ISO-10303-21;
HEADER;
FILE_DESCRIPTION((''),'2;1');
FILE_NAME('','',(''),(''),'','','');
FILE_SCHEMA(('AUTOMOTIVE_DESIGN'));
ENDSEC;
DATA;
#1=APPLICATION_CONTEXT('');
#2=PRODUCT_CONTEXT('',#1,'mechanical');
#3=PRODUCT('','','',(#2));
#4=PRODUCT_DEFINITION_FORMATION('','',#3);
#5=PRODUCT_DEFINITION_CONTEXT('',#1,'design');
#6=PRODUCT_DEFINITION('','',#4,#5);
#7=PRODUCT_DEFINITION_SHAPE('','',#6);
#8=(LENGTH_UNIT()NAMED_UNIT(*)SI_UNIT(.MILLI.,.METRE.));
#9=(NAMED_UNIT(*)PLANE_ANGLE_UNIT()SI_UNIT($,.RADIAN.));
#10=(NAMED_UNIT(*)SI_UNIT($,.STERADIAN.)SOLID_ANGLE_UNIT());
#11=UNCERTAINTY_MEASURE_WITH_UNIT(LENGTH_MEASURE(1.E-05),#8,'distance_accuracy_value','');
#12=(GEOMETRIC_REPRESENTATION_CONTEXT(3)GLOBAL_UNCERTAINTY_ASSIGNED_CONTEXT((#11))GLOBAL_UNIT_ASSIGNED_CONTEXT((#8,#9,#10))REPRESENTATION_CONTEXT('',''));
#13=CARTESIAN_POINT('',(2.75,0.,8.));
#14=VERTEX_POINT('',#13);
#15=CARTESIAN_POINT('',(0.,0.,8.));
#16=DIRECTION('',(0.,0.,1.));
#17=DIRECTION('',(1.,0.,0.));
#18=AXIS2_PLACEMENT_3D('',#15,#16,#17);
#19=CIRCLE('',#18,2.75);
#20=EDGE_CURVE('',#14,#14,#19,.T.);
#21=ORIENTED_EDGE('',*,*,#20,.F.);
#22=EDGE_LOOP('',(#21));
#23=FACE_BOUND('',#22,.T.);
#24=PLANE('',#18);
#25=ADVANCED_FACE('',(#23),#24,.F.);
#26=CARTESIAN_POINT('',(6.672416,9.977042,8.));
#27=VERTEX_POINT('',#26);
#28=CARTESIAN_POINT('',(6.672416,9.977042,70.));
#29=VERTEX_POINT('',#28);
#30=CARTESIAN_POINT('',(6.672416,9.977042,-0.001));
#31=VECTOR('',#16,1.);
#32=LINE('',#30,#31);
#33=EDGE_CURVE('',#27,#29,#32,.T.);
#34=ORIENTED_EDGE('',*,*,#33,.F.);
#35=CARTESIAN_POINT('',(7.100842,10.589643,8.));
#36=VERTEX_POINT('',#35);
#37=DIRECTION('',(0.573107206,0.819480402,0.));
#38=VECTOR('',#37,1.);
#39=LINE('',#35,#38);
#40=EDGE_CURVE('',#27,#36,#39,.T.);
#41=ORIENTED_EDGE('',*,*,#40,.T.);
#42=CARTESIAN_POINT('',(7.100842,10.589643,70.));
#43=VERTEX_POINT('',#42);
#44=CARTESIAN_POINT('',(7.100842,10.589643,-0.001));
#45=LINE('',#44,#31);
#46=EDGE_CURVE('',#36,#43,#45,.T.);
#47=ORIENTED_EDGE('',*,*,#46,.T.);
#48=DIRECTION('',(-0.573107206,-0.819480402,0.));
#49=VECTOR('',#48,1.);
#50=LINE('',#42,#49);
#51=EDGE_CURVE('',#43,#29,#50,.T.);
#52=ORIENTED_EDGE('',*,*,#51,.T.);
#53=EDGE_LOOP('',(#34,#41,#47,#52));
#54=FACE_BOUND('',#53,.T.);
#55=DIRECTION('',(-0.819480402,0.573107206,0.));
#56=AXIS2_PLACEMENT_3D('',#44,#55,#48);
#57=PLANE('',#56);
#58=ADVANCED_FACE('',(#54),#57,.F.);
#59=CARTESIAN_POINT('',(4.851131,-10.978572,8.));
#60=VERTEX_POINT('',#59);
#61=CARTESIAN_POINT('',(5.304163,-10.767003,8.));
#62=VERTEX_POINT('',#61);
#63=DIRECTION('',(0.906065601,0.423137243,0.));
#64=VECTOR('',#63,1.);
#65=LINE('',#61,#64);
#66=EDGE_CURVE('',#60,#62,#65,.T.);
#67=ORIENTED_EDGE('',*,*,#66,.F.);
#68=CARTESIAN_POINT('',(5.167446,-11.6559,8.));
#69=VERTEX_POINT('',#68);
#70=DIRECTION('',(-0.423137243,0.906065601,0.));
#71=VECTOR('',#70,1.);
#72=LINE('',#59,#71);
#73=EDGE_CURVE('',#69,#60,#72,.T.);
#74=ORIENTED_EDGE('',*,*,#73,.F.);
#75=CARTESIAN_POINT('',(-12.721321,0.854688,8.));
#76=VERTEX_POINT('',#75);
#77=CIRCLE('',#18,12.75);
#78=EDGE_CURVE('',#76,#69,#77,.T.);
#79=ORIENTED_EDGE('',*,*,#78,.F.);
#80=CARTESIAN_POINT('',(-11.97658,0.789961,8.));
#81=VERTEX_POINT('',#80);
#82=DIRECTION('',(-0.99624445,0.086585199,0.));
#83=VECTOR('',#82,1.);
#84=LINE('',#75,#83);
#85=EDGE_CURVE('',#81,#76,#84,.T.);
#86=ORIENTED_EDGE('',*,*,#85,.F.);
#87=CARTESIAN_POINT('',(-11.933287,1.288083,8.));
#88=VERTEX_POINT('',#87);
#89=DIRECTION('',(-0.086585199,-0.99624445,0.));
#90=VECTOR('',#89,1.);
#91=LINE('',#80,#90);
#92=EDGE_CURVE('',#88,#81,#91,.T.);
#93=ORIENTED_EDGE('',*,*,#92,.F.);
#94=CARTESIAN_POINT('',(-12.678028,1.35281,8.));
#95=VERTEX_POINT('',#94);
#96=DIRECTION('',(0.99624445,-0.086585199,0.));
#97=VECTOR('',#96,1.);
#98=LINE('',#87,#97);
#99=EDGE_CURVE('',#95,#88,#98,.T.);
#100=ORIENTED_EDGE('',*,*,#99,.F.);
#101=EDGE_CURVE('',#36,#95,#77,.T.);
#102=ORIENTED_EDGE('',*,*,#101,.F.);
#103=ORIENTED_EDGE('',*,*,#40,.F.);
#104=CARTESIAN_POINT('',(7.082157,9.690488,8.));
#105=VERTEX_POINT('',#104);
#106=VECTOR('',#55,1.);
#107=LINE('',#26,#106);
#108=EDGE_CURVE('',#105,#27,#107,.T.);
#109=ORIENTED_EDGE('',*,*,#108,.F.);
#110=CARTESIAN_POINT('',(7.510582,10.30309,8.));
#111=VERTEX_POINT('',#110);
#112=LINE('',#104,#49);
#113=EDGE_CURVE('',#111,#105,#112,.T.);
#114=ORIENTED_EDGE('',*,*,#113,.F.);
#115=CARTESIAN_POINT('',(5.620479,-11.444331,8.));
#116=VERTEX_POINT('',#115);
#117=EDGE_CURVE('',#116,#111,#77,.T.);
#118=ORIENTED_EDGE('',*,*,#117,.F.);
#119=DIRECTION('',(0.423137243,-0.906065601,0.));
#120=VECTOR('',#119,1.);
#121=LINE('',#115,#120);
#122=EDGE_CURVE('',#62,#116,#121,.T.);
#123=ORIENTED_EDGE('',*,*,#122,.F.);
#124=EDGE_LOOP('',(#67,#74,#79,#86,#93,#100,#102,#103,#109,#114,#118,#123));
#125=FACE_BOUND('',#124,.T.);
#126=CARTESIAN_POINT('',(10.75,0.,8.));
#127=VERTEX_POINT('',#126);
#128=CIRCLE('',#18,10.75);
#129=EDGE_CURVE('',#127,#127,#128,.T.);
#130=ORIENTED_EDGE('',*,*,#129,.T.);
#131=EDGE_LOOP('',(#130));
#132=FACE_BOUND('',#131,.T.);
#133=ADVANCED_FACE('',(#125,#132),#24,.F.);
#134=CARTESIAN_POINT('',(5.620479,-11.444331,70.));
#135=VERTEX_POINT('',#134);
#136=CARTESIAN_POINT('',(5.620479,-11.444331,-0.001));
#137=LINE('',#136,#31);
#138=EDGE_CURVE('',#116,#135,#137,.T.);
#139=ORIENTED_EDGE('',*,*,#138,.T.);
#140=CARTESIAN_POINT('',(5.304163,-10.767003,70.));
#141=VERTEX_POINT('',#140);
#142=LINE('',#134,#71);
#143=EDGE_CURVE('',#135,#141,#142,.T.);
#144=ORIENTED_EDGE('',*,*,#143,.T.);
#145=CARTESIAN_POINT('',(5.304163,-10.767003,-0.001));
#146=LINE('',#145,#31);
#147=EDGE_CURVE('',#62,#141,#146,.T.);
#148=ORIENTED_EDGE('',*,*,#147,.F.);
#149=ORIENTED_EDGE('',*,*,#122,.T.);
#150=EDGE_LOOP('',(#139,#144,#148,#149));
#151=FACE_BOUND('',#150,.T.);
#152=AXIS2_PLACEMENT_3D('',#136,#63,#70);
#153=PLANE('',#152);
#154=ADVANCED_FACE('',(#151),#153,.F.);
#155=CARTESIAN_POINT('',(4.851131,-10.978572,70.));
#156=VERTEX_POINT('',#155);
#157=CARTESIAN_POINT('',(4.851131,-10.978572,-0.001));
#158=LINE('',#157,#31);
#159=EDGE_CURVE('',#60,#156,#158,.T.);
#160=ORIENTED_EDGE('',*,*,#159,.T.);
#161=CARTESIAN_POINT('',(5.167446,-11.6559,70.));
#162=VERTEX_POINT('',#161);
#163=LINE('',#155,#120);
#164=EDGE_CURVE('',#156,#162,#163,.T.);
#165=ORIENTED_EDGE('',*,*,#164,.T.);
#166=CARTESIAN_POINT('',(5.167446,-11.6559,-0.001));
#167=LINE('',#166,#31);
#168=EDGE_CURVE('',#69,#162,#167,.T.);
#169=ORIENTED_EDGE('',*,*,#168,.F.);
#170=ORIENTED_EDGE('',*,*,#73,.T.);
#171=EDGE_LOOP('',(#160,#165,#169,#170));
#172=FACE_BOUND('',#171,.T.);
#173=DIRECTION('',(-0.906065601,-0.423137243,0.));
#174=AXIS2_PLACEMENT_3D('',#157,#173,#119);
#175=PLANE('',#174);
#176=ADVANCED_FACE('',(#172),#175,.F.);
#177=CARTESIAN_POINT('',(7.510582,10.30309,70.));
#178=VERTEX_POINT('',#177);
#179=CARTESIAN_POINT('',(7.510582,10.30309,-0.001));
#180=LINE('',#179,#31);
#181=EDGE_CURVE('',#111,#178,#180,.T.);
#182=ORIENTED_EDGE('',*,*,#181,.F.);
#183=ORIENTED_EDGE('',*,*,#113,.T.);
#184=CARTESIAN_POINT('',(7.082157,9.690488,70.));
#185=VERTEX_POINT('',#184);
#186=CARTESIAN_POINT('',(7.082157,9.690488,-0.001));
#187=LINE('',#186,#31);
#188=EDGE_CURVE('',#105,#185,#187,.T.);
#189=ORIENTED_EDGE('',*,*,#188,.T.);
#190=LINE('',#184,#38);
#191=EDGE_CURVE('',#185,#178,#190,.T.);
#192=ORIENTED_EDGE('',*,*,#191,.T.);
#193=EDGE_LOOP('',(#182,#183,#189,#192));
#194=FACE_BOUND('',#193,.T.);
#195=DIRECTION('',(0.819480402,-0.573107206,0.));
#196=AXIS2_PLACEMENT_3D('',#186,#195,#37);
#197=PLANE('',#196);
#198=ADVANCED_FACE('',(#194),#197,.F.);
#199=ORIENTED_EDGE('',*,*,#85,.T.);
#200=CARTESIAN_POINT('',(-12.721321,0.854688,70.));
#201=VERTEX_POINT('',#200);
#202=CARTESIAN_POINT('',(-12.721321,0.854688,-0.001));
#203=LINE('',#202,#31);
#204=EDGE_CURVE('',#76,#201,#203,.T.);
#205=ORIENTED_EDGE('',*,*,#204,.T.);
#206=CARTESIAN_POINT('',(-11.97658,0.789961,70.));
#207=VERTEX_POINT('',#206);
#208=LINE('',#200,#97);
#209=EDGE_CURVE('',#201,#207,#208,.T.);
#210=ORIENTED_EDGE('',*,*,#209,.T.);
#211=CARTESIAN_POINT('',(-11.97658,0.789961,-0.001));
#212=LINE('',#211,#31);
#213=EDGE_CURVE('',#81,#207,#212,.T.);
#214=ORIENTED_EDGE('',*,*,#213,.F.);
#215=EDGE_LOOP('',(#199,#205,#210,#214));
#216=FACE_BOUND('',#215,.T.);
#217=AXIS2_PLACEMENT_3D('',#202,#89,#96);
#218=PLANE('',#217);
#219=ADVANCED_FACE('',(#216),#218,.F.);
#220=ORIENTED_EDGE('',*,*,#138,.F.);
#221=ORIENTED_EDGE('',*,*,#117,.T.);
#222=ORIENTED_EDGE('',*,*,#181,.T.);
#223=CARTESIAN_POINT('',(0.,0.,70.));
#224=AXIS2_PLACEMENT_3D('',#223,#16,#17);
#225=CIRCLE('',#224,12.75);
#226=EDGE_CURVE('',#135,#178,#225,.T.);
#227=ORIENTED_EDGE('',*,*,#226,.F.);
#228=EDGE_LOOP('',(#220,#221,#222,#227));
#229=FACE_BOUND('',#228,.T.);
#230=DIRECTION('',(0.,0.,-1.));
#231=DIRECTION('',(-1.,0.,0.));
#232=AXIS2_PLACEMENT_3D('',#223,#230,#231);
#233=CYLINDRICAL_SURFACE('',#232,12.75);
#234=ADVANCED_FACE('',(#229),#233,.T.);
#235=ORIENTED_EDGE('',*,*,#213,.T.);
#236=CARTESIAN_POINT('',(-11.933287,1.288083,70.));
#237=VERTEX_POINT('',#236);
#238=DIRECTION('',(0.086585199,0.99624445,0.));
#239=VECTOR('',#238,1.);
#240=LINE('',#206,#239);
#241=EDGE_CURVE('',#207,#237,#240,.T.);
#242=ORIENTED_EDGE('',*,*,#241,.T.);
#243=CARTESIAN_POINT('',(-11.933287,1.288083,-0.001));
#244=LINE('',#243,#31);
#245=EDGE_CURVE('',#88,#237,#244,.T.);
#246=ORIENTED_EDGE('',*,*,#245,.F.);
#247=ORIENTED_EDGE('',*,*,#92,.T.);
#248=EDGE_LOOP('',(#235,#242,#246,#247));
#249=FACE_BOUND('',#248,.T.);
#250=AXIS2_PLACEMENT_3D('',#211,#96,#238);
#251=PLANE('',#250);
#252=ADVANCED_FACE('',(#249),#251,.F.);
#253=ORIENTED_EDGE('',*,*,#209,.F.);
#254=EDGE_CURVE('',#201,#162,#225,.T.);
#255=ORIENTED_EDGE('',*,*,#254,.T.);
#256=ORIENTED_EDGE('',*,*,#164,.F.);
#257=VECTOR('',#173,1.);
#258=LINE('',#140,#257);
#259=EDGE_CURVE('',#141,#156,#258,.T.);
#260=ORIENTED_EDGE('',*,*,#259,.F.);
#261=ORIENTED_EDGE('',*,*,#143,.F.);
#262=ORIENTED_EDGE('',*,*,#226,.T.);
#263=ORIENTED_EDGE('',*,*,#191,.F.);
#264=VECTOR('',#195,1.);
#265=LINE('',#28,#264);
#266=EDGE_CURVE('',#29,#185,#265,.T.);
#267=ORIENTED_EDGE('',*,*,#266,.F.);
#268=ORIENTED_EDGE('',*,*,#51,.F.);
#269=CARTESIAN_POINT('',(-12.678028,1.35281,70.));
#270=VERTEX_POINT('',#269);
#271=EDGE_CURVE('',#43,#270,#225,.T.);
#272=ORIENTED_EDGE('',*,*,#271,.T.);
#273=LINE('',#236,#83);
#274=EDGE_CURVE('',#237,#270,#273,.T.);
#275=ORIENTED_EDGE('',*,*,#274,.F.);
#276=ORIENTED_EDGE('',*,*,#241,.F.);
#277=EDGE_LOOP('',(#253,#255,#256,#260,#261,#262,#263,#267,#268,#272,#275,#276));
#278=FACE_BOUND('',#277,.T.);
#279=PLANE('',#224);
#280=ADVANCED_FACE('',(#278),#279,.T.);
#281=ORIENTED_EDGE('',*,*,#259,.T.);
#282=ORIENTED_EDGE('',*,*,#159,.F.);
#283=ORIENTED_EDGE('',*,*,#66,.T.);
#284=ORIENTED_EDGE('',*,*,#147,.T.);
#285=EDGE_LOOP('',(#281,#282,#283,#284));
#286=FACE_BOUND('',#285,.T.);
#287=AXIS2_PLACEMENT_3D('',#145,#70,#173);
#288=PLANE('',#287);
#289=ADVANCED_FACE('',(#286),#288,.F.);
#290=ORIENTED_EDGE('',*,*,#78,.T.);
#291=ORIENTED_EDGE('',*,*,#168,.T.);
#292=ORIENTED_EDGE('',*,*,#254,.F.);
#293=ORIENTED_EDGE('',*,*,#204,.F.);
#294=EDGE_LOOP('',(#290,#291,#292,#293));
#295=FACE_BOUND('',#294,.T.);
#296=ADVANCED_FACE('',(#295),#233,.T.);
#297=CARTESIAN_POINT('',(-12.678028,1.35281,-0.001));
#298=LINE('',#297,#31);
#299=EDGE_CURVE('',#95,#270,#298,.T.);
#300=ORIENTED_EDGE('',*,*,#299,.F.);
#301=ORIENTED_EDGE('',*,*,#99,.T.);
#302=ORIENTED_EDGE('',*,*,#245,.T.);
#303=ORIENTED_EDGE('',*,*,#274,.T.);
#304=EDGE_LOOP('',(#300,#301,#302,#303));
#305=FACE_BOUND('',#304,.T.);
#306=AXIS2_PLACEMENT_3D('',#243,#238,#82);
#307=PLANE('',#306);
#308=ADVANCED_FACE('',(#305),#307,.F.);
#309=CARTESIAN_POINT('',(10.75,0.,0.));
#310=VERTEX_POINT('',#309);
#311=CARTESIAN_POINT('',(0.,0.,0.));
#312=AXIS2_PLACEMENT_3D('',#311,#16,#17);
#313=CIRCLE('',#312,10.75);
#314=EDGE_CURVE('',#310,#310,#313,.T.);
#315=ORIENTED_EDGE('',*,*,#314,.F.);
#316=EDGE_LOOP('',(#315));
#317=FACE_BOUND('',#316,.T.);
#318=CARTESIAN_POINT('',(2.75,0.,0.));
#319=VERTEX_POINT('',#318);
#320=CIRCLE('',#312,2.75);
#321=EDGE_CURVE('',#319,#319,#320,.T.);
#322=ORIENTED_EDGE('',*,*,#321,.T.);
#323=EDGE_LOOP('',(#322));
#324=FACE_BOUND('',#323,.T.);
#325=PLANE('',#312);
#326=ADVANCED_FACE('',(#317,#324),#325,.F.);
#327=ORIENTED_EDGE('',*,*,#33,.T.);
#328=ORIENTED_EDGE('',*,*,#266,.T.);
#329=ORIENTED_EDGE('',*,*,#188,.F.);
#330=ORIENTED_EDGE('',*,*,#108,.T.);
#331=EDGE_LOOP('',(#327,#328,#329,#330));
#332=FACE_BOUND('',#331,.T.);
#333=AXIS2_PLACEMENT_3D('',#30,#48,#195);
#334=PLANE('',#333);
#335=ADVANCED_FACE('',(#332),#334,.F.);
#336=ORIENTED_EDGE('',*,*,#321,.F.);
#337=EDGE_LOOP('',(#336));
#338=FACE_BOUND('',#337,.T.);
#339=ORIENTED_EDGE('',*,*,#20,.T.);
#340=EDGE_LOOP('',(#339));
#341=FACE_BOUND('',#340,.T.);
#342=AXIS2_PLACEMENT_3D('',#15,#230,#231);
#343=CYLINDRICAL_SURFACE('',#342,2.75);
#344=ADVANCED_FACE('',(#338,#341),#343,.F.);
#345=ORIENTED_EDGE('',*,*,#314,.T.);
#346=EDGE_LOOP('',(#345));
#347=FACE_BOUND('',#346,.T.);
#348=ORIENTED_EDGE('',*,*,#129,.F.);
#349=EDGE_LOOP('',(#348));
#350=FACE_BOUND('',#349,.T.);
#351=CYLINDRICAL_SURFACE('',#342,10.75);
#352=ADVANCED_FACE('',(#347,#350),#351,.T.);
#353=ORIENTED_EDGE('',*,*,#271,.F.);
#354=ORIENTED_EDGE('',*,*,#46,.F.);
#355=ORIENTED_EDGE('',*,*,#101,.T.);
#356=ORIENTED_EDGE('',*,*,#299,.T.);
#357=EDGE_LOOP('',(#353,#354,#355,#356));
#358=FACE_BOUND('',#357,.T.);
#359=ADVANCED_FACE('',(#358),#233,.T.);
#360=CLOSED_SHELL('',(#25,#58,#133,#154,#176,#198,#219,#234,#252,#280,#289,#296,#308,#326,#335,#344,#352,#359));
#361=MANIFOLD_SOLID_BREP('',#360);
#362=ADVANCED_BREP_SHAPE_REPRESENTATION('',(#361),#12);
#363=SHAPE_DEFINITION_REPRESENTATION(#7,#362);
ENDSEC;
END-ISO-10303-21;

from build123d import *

# Parameters (mm, degrees)
ESQUISSE1_R             = 10.75
ESQUISSE1_R_2           = 2.75
BASE_EXTRUSION_DEPTH    = 8
ESQUISSE2_R             = 12.75
BOSS_EXTRU_1_DEPTH      = 62
ENL_V_MAT_EXTRU_1_REACH = 72


with BuildPart() as part:
    # Esquisse1 → Base-Extrusion (new body)
    with BuildSketch(Plane.XY):
        Circle(ESQUISSE1_R)
        Circle(ESQUISSE1_R_2, mode=Mode.SUBTRACT)
    extrude(amount=BASE_EXTRUSION_DEPTH)

    # Esquisse2 → Boss.-Extru.1 (add)
    with BuildSketch(Plane.XY.offset(8)):
        Circle(ESQUISSE2_R)
    extrude(amount=BOSS_EXTRU_1_DEPTH)

    # Esquisse4 → Enlèv. mat.-Extru.1 (cut, up to next)
    with BuildSketch(Plane.XY.offset(70), mode=Mode.PRIVATE) as enl_v_mat_extru_1_sk1:
        with BuildLine():
            Line((7.10084197, 10.58964321), (6.672416375, 9.977041632))
            Line((6.672416375, 9.977041632), (7.082156576, 9.690488028))
            Line((7.082156576, 9.690488028), (7.510582172, 10.303089607))
            ThreePointArc((7.510582172, 10.303089607), (7.30711688, 10.448375132), (7.10084197, 10.58964321))
        make_face()
    enl_v_mat_extru_1_tool1 = extrude(enl_v_mat_extru_1_sk1.sketch, amount=-ENL_V_MAT_EXTRU_1_REACH, mode=Mode.PRIVATE) & part.part
    add(enl_v_mat_extru_1_tool1.solids().sort_by_distance((7.091968, 10.140735, 70))[0], mode=Mode.SUBTRACT)
    # Esquisse4 → Enlèv. mat.-Extru.1 (cut, up to next)
    with BuildSketch(Plane.XY.offset(70), mode=Mode.PRIVATE) as enl_v_mat_extru_1_sk2:
        with BuildLine():
            Line((5.620479052, -11.444331139), (5.30416332, -10.767002901))
            Line((5.30416332, -10.767002901), (4.851130519, -10.978571523))
            Line((4.851130519, -10.978571523), (5.167446251, -11.655899761))
            ThreePointArc((5.167446251, -11.655899761), (5.394999852, -11.552336413), (5.620479052, -11.444331139))
        make_face()
    enl_v_mat_extru_1_tool2 = extrude(enl_v_mat_extru_1_sk2.sketch, amount=-ENL_V_MAT_EXTRU_1_REACH, mode=Mode.PRIVATE) & part.part
    add(enl_v_mat_extru_1_tool2.solids().sort_by_distance((5.236151, -11.212192, 70))[0], mode=Mode.SUBTRACT)
    # Esquisse4 → Enlèv. mat.-Extru.1 (cut, up to next)
    with BuildSketch(Plane.XY.offset(70), mode=Mode.PRIVATE) as enl_v_mat_extru_1_sk3:
        with BuildLine():
            Line((-12.721321022, 0.85468793), (-11.976579695, 0.78996127))
            Line((-11.976579695, 0.78996127), (-11.933287096, 1.288083495))
            Line((-11.933287096, 1.288083495), (-12.678028423, 1.352810154))
            ThreePointArc((-12.678028423, 1.352810154), (-12.702116733, 1.103961281), (-12.721321022, 0.85468793))
        make_face()
    enl_v_mat_extru_1_tool3 = extrude(enl_v_mat_extru_1_sk3.sketch, amount=-ENL_V_MAT_EXTRU_1_REACH, mode=Mode.PRIVATE) & part.part
    add(enl_v_mat_extru_1_tool3.solids().sort_by_distance((-12.328118, 1.071456, 70))[0], mode=Mode.SUBTRACT)


solid = part.part
